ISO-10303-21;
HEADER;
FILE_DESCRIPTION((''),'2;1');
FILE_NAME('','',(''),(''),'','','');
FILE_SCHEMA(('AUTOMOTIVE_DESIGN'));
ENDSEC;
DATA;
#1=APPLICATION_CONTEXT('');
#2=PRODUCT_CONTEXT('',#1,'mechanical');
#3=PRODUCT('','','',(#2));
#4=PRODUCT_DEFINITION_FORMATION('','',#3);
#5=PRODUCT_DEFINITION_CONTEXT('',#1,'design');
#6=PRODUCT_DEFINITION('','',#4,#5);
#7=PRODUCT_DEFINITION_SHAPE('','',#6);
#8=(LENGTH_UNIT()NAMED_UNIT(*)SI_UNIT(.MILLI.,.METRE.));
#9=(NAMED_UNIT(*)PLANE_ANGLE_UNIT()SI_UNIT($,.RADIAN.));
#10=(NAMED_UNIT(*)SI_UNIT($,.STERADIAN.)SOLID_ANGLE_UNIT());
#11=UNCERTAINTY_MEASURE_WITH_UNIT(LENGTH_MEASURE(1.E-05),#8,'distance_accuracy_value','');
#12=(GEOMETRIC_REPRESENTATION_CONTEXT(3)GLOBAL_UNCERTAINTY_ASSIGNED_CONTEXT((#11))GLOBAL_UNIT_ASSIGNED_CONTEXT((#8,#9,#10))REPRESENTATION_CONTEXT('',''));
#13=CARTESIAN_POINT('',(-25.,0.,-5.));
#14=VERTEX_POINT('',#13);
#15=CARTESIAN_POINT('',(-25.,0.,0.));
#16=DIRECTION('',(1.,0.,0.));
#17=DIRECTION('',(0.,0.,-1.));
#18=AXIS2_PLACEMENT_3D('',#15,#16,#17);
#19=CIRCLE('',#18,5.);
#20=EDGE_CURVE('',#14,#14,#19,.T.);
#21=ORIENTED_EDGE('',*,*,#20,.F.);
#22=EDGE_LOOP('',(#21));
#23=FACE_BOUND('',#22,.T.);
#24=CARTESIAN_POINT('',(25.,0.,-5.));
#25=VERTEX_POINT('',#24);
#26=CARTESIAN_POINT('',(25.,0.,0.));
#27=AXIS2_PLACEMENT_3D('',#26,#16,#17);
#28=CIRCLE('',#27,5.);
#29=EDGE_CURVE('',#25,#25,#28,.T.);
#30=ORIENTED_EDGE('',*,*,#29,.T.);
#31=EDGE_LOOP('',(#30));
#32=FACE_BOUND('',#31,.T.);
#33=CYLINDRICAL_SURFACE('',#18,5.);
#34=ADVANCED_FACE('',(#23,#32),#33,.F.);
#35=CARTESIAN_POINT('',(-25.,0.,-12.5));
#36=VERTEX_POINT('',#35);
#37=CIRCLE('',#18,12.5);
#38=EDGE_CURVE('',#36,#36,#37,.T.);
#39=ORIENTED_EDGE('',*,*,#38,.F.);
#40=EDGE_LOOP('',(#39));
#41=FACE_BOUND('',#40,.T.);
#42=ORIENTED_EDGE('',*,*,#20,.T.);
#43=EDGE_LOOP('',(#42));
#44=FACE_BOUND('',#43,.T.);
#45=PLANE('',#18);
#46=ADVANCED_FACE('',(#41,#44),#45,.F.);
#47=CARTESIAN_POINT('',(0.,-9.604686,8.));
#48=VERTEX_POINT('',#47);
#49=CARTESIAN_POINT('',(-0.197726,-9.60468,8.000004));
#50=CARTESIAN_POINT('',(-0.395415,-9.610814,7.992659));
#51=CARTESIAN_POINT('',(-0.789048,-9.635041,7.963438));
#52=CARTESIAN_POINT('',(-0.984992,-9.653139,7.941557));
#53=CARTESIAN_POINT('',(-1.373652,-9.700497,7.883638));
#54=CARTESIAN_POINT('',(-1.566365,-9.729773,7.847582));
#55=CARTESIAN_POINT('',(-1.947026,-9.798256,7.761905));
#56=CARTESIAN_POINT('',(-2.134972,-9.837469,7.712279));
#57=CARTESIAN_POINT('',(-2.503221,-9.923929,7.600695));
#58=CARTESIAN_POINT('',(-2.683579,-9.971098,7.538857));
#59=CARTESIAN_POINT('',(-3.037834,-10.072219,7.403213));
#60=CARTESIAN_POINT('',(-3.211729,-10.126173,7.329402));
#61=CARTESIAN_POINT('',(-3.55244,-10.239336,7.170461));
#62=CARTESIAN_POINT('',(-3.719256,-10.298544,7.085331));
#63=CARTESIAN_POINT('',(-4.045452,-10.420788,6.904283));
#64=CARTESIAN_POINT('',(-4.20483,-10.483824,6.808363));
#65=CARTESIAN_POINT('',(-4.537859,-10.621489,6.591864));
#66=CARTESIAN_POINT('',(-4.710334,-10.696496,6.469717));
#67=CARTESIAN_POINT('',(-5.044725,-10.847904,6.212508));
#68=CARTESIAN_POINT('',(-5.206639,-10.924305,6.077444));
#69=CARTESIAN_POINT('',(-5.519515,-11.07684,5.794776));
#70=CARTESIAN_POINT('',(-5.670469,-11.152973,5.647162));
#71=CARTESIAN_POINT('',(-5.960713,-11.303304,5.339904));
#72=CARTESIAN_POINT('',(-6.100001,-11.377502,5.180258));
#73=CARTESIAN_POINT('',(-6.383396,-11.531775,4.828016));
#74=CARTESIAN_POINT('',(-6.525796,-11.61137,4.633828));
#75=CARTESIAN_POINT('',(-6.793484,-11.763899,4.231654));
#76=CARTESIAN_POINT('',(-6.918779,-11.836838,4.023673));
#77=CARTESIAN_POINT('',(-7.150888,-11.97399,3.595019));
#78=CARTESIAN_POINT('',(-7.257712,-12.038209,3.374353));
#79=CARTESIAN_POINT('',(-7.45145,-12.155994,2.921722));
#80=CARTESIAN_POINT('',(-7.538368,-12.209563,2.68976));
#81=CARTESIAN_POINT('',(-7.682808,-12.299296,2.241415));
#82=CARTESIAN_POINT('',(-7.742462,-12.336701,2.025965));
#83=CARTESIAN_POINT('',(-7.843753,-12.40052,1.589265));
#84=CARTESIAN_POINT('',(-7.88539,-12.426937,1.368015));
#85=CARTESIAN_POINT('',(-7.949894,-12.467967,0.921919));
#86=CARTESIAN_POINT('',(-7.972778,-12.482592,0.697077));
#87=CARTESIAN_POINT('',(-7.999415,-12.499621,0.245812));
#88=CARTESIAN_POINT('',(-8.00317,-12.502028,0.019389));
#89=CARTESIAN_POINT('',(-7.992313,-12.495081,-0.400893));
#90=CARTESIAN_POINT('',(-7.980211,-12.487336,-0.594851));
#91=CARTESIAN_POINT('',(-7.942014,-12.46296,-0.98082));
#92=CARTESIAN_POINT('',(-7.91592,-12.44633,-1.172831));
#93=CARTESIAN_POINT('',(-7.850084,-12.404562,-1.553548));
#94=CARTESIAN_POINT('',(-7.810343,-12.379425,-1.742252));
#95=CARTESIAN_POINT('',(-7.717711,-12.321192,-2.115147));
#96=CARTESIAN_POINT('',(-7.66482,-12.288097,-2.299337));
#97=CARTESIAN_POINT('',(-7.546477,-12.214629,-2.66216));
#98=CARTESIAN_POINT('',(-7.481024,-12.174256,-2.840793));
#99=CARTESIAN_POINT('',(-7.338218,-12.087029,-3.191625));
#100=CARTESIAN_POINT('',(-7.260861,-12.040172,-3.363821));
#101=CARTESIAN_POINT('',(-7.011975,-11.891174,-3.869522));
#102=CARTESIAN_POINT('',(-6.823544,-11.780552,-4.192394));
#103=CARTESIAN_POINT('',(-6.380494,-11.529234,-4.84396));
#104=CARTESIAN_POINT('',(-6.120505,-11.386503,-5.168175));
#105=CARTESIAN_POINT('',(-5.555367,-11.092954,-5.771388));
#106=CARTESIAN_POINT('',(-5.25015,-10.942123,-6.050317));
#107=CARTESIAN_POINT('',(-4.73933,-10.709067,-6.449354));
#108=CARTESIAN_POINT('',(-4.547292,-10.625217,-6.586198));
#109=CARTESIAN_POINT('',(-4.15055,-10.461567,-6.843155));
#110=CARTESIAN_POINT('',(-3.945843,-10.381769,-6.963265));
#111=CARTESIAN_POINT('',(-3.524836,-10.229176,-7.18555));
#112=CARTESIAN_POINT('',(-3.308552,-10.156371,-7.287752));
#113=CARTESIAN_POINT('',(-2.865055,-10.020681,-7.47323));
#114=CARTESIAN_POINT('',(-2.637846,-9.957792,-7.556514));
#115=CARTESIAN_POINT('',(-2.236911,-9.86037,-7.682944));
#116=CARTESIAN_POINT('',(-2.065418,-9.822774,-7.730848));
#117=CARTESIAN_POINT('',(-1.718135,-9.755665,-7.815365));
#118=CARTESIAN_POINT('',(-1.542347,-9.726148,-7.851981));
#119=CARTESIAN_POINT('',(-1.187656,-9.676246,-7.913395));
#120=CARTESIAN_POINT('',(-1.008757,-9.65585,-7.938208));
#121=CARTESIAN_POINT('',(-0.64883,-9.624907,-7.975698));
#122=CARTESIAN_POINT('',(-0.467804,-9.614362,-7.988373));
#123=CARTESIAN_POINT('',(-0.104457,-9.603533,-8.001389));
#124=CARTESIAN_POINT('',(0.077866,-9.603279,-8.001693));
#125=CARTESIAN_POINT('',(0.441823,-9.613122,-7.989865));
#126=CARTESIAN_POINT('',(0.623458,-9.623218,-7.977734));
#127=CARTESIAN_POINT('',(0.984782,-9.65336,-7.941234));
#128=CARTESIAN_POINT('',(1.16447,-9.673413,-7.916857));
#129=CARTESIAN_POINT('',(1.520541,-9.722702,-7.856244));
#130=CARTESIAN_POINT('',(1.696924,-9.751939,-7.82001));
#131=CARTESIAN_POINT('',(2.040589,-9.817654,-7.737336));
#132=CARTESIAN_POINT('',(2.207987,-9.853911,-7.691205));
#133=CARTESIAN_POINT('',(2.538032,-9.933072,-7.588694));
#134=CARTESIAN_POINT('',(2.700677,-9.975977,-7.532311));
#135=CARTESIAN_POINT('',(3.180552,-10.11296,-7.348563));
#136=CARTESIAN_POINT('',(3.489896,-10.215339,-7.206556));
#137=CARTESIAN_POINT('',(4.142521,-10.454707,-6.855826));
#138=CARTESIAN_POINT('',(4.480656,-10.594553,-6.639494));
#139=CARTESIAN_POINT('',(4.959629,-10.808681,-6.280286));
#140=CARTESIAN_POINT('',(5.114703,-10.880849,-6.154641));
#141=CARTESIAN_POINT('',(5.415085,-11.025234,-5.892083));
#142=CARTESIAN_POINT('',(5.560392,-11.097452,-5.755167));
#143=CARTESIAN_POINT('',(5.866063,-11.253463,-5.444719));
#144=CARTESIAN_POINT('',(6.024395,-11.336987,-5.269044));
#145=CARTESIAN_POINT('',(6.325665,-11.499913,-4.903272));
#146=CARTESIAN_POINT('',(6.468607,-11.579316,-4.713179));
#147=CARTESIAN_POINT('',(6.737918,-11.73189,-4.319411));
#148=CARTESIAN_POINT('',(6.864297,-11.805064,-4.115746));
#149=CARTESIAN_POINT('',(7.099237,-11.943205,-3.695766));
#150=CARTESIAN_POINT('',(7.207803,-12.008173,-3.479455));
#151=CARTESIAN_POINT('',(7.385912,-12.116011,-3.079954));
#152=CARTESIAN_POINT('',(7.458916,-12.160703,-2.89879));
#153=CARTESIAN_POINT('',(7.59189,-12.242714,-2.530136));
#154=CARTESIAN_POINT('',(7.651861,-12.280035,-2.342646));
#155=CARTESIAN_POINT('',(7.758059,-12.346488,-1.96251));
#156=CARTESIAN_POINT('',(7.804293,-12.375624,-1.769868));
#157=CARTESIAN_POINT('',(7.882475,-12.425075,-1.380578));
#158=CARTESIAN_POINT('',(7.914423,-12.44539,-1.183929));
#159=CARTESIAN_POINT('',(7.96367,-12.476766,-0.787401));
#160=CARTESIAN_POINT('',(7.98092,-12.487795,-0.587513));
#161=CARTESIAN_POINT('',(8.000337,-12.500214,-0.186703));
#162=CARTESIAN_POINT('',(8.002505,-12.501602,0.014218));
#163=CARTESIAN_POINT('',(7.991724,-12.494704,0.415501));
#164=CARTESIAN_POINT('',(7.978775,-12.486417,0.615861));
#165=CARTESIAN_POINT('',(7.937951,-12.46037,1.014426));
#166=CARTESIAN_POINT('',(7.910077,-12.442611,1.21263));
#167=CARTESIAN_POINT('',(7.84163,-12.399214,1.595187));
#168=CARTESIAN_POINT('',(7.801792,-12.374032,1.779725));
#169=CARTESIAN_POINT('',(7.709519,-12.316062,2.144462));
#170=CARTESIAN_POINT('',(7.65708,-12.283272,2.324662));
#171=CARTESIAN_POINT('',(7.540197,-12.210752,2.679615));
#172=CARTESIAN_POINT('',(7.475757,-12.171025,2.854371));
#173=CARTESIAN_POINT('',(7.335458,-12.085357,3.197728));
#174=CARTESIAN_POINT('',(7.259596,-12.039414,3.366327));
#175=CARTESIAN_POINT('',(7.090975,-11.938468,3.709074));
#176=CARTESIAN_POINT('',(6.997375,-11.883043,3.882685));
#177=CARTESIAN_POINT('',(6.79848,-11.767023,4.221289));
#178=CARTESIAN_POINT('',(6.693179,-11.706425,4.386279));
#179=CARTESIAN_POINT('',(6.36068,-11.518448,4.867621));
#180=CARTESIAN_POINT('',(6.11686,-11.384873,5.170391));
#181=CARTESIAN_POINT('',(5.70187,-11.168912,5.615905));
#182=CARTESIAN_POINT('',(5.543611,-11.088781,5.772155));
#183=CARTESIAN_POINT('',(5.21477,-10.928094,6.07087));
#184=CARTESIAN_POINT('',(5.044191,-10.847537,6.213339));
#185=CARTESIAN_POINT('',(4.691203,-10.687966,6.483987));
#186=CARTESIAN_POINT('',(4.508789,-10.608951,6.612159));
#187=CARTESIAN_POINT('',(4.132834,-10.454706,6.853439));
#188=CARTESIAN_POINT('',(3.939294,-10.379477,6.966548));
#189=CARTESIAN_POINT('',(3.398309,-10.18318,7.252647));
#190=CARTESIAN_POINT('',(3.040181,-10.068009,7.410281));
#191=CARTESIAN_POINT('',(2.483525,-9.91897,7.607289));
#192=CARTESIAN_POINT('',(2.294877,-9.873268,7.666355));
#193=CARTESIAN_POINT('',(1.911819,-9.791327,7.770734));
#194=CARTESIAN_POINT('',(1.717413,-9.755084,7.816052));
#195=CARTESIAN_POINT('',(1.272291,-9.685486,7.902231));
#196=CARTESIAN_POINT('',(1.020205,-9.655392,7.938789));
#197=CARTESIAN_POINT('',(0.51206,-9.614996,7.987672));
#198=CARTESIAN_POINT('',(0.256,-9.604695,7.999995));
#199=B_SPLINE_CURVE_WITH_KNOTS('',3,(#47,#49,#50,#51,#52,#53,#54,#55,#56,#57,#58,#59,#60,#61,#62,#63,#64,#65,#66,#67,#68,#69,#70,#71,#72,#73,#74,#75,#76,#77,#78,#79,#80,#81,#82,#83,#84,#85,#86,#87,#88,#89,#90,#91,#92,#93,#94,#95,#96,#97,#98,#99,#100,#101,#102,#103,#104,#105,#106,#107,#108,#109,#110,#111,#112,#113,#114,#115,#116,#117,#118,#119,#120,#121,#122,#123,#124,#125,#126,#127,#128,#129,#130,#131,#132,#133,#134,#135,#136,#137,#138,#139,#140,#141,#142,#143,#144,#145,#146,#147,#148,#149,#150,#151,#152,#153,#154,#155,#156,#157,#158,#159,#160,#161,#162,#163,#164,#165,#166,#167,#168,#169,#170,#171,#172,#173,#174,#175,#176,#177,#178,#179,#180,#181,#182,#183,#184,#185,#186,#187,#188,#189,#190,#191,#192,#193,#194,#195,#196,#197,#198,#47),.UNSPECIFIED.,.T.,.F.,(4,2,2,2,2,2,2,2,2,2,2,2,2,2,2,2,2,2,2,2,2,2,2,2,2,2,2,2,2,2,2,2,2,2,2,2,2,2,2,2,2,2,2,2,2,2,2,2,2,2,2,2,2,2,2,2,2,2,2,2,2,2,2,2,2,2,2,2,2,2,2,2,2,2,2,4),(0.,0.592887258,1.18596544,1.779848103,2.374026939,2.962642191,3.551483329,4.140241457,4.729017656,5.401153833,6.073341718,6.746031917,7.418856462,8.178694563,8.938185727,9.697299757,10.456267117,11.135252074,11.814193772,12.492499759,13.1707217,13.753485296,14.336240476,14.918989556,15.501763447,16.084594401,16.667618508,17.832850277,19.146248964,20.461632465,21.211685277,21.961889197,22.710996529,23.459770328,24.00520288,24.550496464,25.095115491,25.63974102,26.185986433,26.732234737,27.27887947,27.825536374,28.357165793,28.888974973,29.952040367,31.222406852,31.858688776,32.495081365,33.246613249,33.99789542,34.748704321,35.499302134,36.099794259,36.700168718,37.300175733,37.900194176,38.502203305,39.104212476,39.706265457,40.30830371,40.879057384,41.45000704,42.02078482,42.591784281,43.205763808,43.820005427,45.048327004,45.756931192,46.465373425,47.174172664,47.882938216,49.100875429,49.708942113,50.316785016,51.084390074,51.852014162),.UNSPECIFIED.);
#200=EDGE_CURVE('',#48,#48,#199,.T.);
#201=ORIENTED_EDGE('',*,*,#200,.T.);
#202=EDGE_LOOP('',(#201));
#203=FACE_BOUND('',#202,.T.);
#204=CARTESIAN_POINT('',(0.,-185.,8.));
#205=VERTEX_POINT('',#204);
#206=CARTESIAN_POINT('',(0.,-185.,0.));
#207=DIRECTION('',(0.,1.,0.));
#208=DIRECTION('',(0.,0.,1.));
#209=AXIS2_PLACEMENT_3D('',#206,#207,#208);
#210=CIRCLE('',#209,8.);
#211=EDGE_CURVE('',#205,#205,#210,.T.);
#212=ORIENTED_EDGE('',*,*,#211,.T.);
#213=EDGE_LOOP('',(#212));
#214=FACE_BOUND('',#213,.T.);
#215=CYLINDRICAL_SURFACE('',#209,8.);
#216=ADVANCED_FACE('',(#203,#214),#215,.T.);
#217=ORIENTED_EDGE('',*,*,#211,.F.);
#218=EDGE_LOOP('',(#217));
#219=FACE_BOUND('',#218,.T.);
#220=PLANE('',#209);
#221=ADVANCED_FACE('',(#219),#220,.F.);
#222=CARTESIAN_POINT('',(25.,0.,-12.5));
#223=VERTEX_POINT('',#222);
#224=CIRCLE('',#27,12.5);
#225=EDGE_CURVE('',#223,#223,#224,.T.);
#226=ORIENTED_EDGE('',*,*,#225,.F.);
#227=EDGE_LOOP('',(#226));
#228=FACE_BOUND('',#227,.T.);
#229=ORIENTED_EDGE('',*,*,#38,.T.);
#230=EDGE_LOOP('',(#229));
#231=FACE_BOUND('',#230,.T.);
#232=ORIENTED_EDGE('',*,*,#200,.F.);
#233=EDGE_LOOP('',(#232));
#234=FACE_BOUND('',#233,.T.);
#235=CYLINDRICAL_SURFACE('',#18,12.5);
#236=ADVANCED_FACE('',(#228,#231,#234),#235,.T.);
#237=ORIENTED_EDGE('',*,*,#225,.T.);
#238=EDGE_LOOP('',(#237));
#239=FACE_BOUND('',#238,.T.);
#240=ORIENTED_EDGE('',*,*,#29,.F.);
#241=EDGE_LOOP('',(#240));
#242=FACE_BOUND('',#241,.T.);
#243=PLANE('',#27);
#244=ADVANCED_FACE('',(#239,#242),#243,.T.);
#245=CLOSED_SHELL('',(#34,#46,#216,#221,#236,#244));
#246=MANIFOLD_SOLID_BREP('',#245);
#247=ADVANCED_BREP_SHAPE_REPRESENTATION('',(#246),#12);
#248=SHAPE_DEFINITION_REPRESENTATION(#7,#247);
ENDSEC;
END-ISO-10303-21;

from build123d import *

# Parameters (mm, degrees)
DODANIE_WYCI_GNI_CIE1_DEPTH      = 25
DODANIE_WYCI_GNI_CIE1_DEPTH_BACK = 25
SZKIC2_R                         = 12.5
SZKIC2_R_2                       = 5
SZKIC3_R                         = 8
DODANIE_WYCI_GNI_CIE2_DEPTH      = 180


with BuildPart() as part:
    # Szkic2 → Dodanie-wyciągnięcie1 (new, two sides: drawn at the far end of the back side and taken through both)
    with BuildSketch(Plane(origin=(0, 0, 0), x_dir=(0, 0, -1), z_dir=(1, 0, 0)).offset(-DODANIE_WYCI_GNI_CIE1_DEPTH_BACK)):
        Circle(SZKIC2_R)
        Circle(SZKIC2_R_2, mode=Mode.SUBTRACT)
    extrude(amount=DODANIE_WYCI_GNI_CIE1_DEPTH + DODANIE_WYCI_GNI_CIE1_DEPTH_BACK)

    # Szkic3 → Dodanie-wyciągnięcie2 (add)
    with BuildSketch(Plane(origin=(0, -5, 0), x_dir=(1, 0, 0), z_dir=(0, 1, 0))):
        Circle(SZKIC3_R)
    extrude(amount=-DODANIE_WYCI_GNI_CIE2_DEPTH)


solid = part.part
